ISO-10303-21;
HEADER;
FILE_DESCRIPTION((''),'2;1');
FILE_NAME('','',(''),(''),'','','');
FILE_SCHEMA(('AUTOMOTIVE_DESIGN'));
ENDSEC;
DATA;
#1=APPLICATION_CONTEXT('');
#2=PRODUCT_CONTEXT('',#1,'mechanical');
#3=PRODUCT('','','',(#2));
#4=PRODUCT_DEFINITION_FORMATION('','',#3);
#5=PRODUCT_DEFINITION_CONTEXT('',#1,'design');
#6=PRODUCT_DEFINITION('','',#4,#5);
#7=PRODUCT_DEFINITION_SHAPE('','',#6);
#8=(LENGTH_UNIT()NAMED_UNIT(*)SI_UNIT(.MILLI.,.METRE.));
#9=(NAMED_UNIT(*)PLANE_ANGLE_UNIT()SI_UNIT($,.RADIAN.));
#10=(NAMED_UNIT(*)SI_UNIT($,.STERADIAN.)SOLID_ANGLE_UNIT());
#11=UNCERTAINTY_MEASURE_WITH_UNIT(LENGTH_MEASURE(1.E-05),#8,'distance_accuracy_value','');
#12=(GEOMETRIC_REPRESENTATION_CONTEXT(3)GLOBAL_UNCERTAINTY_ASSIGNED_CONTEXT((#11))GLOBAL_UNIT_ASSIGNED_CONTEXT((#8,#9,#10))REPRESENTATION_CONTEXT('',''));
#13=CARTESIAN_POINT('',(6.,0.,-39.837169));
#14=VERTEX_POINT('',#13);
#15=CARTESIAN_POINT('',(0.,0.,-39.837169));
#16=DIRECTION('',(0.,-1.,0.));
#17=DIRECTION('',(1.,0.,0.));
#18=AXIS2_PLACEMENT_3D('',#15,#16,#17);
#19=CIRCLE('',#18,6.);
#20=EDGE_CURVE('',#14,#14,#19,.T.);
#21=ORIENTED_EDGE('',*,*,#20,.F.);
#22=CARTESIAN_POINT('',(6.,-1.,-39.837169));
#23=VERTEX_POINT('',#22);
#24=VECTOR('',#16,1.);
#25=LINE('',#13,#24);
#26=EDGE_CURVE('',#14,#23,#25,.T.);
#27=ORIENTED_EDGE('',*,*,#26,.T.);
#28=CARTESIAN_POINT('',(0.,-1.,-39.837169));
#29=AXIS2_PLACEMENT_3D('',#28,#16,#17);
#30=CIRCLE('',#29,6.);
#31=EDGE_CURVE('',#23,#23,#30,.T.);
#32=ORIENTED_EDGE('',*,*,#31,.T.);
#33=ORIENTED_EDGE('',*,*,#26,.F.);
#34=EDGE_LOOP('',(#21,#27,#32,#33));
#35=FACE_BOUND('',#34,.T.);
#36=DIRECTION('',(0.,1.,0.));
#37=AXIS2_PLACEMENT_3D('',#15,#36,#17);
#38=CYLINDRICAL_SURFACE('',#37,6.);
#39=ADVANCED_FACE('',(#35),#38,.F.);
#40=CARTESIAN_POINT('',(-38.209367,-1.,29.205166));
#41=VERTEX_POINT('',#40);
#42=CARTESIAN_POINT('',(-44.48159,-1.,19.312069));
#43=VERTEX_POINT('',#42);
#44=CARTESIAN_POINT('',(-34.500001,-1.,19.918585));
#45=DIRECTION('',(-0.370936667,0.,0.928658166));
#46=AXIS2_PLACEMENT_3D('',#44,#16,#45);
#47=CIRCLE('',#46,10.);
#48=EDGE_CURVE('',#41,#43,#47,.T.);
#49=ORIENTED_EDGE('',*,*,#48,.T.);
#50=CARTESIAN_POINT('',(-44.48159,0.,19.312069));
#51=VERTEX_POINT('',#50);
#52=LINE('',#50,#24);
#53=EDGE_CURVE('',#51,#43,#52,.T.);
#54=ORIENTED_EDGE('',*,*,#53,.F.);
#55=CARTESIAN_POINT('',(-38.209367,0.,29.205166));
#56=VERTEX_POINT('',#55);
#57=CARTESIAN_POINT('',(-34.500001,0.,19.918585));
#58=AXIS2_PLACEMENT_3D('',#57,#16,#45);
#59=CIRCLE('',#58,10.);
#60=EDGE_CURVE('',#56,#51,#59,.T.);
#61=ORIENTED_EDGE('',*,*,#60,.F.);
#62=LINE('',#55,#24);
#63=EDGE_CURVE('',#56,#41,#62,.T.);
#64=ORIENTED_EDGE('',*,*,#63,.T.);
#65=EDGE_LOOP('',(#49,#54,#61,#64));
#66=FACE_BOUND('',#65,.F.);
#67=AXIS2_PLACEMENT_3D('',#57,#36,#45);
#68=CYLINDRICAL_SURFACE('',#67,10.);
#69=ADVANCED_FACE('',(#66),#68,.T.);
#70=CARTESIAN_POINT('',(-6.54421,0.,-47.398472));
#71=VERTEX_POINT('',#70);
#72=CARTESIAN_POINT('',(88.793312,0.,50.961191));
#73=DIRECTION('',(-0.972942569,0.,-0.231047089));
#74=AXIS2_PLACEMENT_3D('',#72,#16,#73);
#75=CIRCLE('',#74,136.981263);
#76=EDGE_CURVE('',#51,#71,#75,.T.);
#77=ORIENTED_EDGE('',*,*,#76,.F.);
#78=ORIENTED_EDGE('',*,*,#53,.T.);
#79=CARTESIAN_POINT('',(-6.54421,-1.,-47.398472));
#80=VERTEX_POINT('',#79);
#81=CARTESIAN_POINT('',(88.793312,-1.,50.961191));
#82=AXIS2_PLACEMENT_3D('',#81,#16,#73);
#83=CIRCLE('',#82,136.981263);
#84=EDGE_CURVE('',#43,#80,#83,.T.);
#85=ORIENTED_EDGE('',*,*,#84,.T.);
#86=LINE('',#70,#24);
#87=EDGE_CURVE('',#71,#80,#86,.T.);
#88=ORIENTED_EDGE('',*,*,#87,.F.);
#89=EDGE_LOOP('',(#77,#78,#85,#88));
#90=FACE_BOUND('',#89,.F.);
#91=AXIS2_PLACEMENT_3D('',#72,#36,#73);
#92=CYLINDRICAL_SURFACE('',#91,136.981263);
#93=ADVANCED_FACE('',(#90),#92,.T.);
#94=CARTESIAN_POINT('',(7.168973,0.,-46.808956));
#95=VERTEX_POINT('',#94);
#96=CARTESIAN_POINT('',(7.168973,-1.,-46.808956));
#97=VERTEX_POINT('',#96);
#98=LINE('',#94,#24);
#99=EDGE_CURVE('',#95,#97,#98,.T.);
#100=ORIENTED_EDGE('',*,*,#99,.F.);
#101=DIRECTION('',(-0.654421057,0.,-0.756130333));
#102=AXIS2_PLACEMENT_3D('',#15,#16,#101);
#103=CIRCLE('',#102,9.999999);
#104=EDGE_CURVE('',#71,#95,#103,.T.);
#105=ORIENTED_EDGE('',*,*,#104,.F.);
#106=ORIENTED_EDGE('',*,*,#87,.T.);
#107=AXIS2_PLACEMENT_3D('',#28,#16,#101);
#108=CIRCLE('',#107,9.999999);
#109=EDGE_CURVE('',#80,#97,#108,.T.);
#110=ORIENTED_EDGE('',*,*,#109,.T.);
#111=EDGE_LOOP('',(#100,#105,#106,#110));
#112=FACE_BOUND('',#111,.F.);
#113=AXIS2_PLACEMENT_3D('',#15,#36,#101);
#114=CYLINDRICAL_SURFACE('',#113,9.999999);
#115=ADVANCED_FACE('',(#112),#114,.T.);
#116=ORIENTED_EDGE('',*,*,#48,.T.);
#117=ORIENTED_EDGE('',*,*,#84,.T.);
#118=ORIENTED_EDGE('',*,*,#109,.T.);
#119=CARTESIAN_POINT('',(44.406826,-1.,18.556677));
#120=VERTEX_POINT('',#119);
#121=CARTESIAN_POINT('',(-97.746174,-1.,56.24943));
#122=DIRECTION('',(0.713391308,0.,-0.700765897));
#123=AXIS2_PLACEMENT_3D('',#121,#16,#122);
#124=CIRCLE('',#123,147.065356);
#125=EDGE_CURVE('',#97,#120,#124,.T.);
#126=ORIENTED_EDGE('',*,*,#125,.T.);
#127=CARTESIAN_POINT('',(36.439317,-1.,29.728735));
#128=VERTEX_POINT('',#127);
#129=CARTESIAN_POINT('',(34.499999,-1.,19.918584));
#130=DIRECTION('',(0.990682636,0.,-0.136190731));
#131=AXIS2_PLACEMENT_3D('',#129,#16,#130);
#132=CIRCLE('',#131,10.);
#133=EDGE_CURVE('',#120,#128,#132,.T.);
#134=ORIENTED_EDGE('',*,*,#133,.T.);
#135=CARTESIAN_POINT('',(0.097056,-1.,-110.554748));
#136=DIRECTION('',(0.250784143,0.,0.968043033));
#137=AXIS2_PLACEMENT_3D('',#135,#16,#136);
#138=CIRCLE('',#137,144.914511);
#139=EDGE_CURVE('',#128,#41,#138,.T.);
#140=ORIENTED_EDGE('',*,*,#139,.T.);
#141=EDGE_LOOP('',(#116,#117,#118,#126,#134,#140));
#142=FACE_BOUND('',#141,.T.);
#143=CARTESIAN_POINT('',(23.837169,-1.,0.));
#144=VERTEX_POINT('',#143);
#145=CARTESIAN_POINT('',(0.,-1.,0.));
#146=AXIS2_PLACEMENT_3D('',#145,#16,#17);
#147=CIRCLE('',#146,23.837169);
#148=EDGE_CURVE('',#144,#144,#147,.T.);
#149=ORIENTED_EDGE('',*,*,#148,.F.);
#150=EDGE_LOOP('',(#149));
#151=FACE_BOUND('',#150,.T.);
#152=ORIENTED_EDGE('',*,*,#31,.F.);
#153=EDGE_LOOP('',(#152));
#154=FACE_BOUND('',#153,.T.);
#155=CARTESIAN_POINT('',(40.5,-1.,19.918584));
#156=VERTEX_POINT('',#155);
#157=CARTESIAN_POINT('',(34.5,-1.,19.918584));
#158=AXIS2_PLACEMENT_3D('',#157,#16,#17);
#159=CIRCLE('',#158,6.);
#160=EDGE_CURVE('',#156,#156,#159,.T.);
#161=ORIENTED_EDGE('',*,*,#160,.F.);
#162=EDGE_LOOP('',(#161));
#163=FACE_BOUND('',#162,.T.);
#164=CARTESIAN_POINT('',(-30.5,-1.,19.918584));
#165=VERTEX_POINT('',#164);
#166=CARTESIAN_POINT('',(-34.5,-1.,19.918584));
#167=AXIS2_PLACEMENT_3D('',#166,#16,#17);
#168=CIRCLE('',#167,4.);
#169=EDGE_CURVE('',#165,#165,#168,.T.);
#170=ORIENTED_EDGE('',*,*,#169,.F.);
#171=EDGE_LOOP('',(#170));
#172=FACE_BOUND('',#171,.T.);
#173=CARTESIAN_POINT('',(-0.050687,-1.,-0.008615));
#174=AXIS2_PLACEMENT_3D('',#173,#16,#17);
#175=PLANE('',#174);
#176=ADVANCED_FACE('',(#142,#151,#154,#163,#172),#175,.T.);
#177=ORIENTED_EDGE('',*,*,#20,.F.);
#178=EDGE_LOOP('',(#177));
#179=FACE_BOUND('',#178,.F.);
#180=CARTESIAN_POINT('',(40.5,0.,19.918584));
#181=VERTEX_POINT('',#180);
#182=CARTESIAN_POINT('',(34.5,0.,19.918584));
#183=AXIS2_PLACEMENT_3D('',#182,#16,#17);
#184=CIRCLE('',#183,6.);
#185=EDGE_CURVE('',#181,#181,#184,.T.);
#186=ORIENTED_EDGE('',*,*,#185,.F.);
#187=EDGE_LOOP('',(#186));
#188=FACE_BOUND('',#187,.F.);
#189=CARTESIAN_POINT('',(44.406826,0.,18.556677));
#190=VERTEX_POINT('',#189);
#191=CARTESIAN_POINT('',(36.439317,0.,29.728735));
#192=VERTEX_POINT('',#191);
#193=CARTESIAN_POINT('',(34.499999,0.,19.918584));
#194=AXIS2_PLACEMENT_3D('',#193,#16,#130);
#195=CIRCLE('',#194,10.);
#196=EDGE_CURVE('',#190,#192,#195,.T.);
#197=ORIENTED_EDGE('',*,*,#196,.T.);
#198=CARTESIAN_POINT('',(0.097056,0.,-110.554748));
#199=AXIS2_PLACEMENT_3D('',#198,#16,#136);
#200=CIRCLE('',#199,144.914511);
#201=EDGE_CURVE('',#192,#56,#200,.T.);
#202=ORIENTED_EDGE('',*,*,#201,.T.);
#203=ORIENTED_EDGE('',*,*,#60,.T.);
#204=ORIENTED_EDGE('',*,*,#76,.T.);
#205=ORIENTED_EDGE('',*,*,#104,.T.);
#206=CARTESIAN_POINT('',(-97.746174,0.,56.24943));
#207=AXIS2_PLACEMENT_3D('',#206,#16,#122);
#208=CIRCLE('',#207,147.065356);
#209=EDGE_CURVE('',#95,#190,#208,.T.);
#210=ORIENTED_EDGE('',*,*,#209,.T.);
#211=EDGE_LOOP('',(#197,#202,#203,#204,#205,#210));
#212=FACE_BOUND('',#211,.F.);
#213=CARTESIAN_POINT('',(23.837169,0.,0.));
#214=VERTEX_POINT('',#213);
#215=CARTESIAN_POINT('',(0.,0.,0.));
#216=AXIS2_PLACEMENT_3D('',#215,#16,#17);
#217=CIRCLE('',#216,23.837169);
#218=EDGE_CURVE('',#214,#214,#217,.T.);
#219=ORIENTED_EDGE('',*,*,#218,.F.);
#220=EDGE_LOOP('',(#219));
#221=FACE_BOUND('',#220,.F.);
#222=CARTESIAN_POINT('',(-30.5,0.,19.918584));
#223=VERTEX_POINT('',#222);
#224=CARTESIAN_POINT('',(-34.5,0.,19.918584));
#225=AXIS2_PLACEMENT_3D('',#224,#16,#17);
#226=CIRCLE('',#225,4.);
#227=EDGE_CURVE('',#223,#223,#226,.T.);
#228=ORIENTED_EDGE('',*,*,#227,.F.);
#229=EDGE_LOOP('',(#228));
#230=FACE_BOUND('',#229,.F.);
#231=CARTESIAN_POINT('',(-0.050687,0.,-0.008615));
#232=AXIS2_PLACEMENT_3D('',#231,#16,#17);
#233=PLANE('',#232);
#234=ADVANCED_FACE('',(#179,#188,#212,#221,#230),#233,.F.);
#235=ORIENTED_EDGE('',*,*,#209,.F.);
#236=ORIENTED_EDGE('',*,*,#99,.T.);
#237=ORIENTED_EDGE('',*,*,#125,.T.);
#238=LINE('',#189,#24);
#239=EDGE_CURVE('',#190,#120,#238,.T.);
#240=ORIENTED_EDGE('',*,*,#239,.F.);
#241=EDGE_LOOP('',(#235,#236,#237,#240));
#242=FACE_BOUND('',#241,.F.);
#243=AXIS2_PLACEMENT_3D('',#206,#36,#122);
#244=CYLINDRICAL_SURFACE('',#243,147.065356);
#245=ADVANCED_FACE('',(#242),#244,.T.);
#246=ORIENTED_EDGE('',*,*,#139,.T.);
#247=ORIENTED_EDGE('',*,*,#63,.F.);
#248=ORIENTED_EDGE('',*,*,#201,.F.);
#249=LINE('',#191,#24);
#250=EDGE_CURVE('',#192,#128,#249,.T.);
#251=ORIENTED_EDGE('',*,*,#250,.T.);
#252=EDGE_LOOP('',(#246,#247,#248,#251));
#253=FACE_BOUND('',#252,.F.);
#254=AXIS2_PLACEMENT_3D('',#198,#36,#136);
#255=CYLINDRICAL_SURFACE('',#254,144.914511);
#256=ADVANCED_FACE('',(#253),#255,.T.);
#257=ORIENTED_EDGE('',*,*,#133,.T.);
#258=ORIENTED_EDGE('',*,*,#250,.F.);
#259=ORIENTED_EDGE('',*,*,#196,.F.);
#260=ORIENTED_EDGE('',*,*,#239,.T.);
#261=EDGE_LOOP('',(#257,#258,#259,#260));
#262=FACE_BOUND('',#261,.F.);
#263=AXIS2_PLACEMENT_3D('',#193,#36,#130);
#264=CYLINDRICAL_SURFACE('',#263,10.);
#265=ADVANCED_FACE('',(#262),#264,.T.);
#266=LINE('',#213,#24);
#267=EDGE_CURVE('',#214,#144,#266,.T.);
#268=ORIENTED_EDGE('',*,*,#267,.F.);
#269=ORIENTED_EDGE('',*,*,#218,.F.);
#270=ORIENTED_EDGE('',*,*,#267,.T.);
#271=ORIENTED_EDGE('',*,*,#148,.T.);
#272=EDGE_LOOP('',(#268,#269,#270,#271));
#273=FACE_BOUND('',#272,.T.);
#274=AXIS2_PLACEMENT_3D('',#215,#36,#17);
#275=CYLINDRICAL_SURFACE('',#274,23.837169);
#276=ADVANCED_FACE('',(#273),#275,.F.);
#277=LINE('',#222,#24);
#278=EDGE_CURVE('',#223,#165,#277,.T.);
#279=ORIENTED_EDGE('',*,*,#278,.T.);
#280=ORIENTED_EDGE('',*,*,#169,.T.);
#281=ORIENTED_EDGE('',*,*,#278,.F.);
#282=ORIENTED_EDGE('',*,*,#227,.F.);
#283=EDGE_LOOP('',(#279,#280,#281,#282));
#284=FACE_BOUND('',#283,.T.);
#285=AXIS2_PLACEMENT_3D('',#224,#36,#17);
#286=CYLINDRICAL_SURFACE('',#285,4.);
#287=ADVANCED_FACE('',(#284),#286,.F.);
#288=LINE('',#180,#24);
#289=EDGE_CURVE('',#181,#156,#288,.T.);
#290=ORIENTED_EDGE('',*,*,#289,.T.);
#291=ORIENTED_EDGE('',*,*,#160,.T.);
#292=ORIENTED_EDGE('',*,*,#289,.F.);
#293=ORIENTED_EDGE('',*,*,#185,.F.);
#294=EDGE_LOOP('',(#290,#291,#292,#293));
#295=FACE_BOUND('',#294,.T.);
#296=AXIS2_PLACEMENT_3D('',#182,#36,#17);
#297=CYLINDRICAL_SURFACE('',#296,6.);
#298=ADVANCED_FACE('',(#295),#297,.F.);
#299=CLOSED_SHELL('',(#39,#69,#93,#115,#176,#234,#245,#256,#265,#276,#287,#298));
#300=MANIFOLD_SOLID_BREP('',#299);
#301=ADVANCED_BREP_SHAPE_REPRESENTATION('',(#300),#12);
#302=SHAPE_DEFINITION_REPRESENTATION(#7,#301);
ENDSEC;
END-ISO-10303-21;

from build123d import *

# Parameters (mm, degrees)
F0_R     = 6
F0_R_2   = 4
F0_R_3   = 23.837169
F1_DEPTH = 1


with BuildPart() as f1:
    # F0 (on Front) → F1 (new body)
    with BuildSketch(Plane.XZ):
        with BuildLine():
            ThreePointArc((36.439317, 29.728735), (-0.919317, 34.356199), (-38.209367, 29.205166))
            ThreePointArc((-38.209367, 29.205166), (-42.945645, 25.273123), (-44.48159, 19.312069))
            ThreePointArc((-44.48159, 19.312069), (-30.280128, -16.75426), (-6.54421, -47.398472))
            ThreePointArc((-6.54421, -47.398472), (0.429493, -49.827941), (7.168973, -46.808956))
            ThreePointArc((7.168973, -46.808956), (30.038151, -16.547447), (44.406826, 18.556677))
            ThreePointArc((44.406826, 18.556677), (42.641652, 25.724917), (36.439317, 29.728735))
        make_face()
        with Locations((0, -39.837169)):
            Circle(F0_R, mode=Mode.SUBTRACT)
        with Locations((-34.5, 19.918584)):
            Circle(F0_R_2, mode=Mode.SUBTRACT)
        Circle(F0_R_3, mode=Mode.SUBTRACT)
        with Locations((34.5, 19.918584)):
            Circle(F0_R, mode=Mode.SUBTRACT)
    extrude(amount=F1_DEPTH)


solid = f1.part
